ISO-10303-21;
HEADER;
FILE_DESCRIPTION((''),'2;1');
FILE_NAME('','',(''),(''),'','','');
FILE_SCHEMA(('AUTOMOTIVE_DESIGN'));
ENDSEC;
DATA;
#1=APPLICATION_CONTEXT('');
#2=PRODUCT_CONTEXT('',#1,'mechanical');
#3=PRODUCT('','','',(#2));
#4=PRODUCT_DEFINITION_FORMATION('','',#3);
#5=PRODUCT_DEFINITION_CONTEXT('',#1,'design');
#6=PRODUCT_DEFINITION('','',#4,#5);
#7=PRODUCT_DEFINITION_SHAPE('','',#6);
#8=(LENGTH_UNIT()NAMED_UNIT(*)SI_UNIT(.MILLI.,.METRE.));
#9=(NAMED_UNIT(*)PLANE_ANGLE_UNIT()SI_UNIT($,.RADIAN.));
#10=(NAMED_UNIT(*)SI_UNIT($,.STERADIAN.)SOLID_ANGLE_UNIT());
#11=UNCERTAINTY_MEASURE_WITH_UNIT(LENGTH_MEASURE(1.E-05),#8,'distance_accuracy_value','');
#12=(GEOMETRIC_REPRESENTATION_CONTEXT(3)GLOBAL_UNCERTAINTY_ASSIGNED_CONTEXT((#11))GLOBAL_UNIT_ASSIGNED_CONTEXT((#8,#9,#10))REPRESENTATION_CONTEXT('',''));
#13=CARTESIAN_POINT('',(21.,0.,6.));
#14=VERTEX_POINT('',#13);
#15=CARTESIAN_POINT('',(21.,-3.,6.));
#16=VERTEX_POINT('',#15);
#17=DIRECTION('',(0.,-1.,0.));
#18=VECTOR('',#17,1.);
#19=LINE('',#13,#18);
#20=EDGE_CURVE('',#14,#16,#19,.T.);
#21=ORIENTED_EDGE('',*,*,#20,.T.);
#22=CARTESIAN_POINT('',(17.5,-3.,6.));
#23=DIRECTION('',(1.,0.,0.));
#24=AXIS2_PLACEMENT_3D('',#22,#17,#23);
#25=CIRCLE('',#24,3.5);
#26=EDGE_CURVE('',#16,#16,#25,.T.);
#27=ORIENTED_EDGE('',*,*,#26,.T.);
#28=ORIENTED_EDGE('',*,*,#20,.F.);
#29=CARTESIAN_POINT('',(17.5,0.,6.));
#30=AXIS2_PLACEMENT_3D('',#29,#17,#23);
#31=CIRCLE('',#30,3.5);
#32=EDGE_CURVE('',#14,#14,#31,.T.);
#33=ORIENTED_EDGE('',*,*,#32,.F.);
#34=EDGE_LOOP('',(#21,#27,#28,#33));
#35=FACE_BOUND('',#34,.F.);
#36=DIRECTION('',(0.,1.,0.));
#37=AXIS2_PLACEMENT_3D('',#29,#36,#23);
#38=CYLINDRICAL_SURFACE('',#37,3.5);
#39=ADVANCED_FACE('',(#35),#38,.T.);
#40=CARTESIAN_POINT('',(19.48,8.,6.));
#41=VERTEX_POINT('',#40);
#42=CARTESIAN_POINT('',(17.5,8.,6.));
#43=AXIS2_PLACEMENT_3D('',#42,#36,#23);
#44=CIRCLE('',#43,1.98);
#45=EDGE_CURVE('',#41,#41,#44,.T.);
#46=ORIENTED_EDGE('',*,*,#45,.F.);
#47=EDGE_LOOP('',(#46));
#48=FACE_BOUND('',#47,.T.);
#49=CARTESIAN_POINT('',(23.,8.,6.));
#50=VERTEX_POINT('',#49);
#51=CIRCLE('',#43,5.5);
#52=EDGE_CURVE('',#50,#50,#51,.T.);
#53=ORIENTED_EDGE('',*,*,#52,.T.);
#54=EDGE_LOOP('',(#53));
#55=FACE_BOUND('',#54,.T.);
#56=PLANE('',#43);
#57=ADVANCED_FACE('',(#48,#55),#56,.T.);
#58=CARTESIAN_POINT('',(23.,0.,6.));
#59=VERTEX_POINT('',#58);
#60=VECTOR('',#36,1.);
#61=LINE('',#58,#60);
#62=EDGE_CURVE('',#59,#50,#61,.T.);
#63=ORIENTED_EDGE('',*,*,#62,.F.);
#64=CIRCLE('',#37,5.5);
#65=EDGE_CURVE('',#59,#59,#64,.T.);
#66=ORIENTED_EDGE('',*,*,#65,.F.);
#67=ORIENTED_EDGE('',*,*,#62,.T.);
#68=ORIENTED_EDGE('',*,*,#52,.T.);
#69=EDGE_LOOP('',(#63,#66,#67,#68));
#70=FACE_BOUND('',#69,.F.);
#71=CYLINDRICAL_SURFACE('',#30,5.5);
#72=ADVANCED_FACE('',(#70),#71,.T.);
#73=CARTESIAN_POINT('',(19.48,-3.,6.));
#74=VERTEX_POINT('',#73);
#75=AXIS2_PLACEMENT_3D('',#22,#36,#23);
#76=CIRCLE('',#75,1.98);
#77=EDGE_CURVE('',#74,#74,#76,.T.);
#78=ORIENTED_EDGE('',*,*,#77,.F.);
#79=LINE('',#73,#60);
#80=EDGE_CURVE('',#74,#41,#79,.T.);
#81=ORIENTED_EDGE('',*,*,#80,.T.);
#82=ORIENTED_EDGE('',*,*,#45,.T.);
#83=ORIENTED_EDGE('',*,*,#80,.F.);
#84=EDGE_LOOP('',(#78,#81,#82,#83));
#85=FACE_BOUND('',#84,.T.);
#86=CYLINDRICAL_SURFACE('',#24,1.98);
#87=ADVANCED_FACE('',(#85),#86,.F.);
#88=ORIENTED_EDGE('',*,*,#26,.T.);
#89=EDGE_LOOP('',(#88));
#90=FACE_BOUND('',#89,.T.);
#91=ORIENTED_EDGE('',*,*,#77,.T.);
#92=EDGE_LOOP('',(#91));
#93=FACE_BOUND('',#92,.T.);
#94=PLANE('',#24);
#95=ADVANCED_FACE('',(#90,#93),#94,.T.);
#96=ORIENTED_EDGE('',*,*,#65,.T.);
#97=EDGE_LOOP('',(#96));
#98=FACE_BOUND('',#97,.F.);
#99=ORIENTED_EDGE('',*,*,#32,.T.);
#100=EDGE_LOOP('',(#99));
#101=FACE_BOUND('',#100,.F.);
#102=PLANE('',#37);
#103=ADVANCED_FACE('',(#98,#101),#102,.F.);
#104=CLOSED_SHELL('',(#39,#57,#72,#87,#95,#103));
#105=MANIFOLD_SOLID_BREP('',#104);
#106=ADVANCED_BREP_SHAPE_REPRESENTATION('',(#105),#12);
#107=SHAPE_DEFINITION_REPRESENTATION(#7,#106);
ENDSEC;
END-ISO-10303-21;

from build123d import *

# Parameters (mm, degrees)
CYLINDER001_R          = 1.98
CYLINDER001_DEPTH      = 11
CYLINDER001_ROLL_ANGLE = -90
CYLINDER004_R          = 3.5
CYLINDER004_DEPTH      = 3
CYLINDER004_ROLL_ANGLE = 90
CYLINDER_R             = 5.5
CYLINDER_DEPTH         = 8
CYLINDER_ROLL_ANGLE    = -90


with BuildPart() as f_10_32_tap_hole:
    # Cylinder001 → Cylinder001 (new body)
    with BuildSketch(Plane.XY):
        Circle(CYLINDER001_R)
    extrude(amount=CYLINDER001_DEPTH)


with BuildPart() as f_10_32_tap_hole_1:
    # Cylinder001 roll: moved
    add(f_10_32_tap_hole.part.rotate(Axis((0, 0, 0), (1, 0, 0)), CYLINDER001_ROLL_ANGLE))


with BuildPart() as f_10_32_tap_hole_2:
    # Cylinder001 placement: moved
    add(f_10_32_tap_hole_1.part.moved(Location((17.5, -3, 6))))


with BuildPart() as thin_neck:
    # Cylinder004 → Cylinder004 (new body)
    with BuildSketch(Plane.XY):
        Circle(CYLINDER004_R)
    extrude(amount=CYLINDER004_DEPTH)


with BuildPart() as thin_neck_1:
    # Cylinder004 roll: moved
    add(thin_neck.part.rotate(Axis((0, 0, 0), (1, 0, 0)), CYLINDER004_ROLL_ANGLE))


with BuildPart() as thin_neck_2:
    # Cylinder004 placement: moved
    add(thin_neck_1.part.moved(Location((17.5, 0, 6))))


with BuildPart() as f_10_32_support_neck_and_taphole:
    # Cylinder → Cylinder (new body)
    with BuildSketch(Plane.XY):
        Circle(CYLINDER_R)
    extrude(amount=CYLINDER_DEPTH)


with BuildPart() as f_10_32_support_neck_and_taphole_1:
    # Cylinder roll: moved
    add(f_10_32_support_neck_and_taphole.part.rotate(Axis((0, 0, 0), (1, 0, 0)), CYLINDER_ROLL_ANGLE))


with BuildPart() as f_10_32_support_neck_and_taphole_2:
    # Cylinder placement: moved
    add(f_10_32_support_neck_and_taphole_1.part.moved(Location((17.5, 0, 6))))

    # Fusion002: union thin_neck
    add(thin_neck_2.part)

    # Cut: cut 10-32_tap_hole
    add(f_10_32_tap_hole_2.part, mode=Mode.SUBTRACT)


solid = f_10_32_support_neck_and_taphole_2.part
